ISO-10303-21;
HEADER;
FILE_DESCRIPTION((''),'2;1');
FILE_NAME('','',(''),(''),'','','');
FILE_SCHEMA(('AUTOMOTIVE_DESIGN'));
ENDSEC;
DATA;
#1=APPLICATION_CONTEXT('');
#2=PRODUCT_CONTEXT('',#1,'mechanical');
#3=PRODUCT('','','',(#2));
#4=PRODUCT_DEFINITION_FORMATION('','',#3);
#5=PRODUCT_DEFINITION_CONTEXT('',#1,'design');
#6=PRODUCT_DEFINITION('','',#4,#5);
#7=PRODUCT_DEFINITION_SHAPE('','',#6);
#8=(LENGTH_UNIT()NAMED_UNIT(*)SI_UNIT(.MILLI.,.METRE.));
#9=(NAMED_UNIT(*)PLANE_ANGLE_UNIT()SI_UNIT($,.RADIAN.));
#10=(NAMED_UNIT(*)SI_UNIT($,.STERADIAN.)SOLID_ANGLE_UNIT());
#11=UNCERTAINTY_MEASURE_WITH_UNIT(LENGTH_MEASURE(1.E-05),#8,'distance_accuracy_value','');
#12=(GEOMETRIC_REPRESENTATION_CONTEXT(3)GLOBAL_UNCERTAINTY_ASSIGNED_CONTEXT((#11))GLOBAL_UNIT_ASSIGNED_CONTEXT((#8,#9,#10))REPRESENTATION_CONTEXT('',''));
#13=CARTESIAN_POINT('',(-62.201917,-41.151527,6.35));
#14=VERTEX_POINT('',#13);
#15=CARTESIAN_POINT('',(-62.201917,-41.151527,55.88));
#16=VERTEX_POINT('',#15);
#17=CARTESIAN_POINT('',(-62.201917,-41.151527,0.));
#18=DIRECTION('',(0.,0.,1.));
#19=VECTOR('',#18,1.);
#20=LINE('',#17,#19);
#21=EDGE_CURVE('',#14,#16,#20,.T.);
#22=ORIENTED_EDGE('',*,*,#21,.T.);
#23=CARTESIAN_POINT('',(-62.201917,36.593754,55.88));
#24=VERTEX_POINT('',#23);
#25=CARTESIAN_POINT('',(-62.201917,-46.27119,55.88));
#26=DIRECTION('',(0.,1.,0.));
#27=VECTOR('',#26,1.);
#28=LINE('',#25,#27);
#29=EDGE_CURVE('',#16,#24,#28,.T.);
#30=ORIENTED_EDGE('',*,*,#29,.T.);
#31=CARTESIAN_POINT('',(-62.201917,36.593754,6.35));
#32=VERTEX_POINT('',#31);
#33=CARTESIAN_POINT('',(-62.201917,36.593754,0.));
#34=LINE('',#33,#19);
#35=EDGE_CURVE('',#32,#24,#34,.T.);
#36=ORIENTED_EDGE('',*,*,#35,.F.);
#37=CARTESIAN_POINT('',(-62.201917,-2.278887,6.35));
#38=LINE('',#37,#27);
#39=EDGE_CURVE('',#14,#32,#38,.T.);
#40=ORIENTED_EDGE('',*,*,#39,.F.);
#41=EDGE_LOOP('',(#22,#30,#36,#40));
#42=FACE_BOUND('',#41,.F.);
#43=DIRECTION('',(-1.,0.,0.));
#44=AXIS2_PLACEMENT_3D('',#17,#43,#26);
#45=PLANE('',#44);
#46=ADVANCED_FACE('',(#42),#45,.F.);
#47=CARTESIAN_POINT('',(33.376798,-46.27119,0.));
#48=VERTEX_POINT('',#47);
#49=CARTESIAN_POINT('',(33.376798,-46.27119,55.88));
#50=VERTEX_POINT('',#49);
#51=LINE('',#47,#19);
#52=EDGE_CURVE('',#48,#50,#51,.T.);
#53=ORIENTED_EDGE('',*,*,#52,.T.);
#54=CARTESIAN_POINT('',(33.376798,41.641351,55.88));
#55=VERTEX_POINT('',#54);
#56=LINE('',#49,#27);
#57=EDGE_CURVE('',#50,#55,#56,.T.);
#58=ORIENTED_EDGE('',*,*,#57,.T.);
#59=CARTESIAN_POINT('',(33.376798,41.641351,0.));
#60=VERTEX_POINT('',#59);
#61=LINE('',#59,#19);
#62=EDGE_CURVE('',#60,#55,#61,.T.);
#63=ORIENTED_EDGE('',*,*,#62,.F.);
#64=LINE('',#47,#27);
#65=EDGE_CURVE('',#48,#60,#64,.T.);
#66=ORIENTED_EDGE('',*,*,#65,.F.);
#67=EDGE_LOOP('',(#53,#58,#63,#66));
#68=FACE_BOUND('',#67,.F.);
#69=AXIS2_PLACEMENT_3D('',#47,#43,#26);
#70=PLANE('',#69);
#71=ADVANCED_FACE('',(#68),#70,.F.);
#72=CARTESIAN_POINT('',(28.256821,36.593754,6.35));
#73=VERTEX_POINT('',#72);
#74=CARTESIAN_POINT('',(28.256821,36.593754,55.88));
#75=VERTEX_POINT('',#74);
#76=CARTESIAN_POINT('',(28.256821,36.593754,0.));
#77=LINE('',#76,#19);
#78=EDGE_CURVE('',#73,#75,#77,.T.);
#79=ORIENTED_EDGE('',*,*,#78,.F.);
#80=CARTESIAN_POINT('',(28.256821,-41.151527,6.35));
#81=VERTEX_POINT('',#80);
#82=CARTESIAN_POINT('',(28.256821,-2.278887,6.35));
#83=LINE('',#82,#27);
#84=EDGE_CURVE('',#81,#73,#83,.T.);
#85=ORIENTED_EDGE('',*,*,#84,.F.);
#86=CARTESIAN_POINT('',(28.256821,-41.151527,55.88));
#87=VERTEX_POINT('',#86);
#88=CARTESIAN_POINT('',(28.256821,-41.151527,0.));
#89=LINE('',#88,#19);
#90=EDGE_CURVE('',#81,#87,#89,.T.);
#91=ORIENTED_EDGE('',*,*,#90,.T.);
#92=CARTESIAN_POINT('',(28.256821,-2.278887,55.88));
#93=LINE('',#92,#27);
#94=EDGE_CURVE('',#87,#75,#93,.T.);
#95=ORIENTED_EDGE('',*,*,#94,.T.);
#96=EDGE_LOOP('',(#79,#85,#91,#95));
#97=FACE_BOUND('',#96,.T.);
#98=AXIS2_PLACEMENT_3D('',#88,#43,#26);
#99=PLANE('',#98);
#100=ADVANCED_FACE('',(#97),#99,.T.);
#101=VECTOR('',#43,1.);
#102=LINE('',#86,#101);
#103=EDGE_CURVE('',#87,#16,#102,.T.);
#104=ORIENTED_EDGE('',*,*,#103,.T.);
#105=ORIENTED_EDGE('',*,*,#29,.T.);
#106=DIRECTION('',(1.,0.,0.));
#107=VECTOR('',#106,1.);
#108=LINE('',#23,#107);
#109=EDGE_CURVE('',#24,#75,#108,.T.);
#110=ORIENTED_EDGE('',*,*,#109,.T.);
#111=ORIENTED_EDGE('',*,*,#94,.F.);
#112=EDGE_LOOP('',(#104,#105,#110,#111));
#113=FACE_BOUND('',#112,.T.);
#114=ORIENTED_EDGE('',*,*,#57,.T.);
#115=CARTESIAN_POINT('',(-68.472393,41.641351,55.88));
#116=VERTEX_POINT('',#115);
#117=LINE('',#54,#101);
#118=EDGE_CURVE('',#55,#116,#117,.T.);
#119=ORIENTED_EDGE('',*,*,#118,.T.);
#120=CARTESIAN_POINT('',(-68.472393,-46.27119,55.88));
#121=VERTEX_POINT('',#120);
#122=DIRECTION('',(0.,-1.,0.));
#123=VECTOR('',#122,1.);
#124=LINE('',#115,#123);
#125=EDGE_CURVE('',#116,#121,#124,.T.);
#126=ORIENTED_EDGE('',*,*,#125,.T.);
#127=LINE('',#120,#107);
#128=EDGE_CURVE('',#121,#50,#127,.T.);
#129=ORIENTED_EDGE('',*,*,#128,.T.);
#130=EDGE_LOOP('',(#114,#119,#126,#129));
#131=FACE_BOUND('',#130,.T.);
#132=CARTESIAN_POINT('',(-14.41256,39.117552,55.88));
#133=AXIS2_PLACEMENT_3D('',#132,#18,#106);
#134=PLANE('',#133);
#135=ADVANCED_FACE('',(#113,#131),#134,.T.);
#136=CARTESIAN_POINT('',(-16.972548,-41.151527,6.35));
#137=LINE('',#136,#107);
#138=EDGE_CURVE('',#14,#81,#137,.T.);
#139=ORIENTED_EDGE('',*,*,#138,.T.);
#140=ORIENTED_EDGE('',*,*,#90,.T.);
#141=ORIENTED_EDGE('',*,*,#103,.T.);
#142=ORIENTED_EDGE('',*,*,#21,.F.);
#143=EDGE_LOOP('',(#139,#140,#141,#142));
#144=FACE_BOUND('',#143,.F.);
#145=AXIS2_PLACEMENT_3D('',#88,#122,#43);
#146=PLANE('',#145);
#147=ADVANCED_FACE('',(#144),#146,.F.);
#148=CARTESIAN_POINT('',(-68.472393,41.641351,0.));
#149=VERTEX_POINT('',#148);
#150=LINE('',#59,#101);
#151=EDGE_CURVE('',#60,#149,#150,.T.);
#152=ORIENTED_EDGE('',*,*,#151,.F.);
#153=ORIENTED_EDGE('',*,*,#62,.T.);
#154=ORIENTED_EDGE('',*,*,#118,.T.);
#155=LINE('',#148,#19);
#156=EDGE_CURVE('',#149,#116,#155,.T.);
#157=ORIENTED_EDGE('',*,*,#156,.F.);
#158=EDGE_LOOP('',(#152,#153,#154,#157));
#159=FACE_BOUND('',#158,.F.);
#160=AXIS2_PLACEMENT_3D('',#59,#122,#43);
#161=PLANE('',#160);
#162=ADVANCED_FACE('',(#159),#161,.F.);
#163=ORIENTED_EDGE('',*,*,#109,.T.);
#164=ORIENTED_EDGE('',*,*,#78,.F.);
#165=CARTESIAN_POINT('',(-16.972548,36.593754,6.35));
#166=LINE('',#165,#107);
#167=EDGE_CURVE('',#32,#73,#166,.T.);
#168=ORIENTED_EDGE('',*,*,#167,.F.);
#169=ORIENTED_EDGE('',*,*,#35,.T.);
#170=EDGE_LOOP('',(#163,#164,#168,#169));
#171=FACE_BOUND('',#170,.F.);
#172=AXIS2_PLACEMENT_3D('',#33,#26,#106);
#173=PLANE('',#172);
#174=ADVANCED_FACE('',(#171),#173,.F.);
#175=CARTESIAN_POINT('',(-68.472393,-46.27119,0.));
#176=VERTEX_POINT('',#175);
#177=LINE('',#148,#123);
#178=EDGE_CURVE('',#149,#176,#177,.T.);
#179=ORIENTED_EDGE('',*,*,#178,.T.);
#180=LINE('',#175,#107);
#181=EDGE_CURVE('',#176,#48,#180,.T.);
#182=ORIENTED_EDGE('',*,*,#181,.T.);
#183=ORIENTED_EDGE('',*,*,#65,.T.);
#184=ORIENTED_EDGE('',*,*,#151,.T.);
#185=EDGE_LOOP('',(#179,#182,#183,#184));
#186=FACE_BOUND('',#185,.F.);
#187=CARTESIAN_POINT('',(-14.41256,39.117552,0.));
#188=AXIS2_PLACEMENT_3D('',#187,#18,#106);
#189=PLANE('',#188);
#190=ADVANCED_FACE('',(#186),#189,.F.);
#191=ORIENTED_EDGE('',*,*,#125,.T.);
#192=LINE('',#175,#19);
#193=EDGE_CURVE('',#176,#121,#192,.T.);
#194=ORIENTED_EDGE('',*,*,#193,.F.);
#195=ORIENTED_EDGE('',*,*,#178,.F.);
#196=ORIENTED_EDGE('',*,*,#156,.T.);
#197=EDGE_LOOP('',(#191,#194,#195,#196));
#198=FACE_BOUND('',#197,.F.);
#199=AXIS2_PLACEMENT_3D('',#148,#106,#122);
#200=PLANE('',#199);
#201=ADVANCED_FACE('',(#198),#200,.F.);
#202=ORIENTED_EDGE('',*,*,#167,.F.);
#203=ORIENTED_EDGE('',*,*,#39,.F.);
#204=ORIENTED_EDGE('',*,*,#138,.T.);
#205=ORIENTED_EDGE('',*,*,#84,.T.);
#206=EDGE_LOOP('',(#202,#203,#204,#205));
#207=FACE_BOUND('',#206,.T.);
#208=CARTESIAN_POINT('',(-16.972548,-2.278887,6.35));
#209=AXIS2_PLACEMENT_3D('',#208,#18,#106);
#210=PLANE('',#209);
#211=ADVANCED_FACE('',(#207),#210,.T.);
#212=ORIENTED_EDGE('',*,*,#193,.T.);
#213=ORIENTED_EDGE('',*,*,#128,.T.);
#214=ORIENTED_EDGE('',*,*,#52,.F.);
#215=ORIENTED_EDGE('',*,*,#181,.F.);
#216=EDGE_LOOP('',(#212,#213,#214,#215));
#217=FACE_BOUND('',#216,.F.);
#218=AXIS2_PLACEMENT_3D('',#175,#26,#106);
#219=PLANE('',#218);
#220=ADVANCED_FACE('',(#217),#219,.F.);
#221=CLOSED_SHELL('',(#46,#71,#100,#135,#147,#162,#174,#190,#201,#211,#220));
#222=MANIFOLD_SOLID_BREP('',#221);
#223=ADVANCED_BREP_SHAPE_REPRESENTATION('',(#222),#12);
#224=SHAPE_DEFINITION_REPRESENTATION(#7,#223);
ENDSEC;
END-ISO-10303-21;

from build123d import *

# Parameters (mm, degrees)
F0_W     = 90.4587376863
F0_H     = 77.7452811599
F1_DEPTH = 6.35
F0_W_2   = 5.1199775189
F2_DEPTH = 55.88


with BuildPart() as f1:
    # F0 (on Top) → F1 (new body)
    with BuildSketch(Plane.XY):
        with Locations((-16.9725483283, -2.2788867354)):
            Rectangle(F0_W, F0_H)
    extrude(amount=F1_DEPTH)

    # F0 (on Top) → F2 (join)
    with BuildSketch(Plane.XY):
        Polygon((-62.2019171715, 41.6413508356), (-62.2019171715, 36.5937538445), (28.2568205148, 36.5937538445), (33.3767980337, 36.5937538445), (33.3767980337, 41.6413508356), align=None)
        Polygon((-62.2019171715, -41.1515273154), (-62.2019171715, 36.5937538445), (-62.2019171715, 41.6413508356), (-68.4723928571, 41.6413508356), (-68.4723928571, -46.2711900473), (-62.2019171715, -46.2711900473), align=None)
        with Locations((30.8168092743, -2.2788867354)):
            Rectangle(F0_W_2, F0_H)
        Polygon((28.2568205148, -41.1515273154), (-62.2019171715, -41.1515273154), (-62.2019171715, -46.2711900473), (33.3767980337, -46.2711900473), (33.3767980337, -41.1515273154), align=None)
    extrude(amount=F2_DEPTH)


solid = f1.part
